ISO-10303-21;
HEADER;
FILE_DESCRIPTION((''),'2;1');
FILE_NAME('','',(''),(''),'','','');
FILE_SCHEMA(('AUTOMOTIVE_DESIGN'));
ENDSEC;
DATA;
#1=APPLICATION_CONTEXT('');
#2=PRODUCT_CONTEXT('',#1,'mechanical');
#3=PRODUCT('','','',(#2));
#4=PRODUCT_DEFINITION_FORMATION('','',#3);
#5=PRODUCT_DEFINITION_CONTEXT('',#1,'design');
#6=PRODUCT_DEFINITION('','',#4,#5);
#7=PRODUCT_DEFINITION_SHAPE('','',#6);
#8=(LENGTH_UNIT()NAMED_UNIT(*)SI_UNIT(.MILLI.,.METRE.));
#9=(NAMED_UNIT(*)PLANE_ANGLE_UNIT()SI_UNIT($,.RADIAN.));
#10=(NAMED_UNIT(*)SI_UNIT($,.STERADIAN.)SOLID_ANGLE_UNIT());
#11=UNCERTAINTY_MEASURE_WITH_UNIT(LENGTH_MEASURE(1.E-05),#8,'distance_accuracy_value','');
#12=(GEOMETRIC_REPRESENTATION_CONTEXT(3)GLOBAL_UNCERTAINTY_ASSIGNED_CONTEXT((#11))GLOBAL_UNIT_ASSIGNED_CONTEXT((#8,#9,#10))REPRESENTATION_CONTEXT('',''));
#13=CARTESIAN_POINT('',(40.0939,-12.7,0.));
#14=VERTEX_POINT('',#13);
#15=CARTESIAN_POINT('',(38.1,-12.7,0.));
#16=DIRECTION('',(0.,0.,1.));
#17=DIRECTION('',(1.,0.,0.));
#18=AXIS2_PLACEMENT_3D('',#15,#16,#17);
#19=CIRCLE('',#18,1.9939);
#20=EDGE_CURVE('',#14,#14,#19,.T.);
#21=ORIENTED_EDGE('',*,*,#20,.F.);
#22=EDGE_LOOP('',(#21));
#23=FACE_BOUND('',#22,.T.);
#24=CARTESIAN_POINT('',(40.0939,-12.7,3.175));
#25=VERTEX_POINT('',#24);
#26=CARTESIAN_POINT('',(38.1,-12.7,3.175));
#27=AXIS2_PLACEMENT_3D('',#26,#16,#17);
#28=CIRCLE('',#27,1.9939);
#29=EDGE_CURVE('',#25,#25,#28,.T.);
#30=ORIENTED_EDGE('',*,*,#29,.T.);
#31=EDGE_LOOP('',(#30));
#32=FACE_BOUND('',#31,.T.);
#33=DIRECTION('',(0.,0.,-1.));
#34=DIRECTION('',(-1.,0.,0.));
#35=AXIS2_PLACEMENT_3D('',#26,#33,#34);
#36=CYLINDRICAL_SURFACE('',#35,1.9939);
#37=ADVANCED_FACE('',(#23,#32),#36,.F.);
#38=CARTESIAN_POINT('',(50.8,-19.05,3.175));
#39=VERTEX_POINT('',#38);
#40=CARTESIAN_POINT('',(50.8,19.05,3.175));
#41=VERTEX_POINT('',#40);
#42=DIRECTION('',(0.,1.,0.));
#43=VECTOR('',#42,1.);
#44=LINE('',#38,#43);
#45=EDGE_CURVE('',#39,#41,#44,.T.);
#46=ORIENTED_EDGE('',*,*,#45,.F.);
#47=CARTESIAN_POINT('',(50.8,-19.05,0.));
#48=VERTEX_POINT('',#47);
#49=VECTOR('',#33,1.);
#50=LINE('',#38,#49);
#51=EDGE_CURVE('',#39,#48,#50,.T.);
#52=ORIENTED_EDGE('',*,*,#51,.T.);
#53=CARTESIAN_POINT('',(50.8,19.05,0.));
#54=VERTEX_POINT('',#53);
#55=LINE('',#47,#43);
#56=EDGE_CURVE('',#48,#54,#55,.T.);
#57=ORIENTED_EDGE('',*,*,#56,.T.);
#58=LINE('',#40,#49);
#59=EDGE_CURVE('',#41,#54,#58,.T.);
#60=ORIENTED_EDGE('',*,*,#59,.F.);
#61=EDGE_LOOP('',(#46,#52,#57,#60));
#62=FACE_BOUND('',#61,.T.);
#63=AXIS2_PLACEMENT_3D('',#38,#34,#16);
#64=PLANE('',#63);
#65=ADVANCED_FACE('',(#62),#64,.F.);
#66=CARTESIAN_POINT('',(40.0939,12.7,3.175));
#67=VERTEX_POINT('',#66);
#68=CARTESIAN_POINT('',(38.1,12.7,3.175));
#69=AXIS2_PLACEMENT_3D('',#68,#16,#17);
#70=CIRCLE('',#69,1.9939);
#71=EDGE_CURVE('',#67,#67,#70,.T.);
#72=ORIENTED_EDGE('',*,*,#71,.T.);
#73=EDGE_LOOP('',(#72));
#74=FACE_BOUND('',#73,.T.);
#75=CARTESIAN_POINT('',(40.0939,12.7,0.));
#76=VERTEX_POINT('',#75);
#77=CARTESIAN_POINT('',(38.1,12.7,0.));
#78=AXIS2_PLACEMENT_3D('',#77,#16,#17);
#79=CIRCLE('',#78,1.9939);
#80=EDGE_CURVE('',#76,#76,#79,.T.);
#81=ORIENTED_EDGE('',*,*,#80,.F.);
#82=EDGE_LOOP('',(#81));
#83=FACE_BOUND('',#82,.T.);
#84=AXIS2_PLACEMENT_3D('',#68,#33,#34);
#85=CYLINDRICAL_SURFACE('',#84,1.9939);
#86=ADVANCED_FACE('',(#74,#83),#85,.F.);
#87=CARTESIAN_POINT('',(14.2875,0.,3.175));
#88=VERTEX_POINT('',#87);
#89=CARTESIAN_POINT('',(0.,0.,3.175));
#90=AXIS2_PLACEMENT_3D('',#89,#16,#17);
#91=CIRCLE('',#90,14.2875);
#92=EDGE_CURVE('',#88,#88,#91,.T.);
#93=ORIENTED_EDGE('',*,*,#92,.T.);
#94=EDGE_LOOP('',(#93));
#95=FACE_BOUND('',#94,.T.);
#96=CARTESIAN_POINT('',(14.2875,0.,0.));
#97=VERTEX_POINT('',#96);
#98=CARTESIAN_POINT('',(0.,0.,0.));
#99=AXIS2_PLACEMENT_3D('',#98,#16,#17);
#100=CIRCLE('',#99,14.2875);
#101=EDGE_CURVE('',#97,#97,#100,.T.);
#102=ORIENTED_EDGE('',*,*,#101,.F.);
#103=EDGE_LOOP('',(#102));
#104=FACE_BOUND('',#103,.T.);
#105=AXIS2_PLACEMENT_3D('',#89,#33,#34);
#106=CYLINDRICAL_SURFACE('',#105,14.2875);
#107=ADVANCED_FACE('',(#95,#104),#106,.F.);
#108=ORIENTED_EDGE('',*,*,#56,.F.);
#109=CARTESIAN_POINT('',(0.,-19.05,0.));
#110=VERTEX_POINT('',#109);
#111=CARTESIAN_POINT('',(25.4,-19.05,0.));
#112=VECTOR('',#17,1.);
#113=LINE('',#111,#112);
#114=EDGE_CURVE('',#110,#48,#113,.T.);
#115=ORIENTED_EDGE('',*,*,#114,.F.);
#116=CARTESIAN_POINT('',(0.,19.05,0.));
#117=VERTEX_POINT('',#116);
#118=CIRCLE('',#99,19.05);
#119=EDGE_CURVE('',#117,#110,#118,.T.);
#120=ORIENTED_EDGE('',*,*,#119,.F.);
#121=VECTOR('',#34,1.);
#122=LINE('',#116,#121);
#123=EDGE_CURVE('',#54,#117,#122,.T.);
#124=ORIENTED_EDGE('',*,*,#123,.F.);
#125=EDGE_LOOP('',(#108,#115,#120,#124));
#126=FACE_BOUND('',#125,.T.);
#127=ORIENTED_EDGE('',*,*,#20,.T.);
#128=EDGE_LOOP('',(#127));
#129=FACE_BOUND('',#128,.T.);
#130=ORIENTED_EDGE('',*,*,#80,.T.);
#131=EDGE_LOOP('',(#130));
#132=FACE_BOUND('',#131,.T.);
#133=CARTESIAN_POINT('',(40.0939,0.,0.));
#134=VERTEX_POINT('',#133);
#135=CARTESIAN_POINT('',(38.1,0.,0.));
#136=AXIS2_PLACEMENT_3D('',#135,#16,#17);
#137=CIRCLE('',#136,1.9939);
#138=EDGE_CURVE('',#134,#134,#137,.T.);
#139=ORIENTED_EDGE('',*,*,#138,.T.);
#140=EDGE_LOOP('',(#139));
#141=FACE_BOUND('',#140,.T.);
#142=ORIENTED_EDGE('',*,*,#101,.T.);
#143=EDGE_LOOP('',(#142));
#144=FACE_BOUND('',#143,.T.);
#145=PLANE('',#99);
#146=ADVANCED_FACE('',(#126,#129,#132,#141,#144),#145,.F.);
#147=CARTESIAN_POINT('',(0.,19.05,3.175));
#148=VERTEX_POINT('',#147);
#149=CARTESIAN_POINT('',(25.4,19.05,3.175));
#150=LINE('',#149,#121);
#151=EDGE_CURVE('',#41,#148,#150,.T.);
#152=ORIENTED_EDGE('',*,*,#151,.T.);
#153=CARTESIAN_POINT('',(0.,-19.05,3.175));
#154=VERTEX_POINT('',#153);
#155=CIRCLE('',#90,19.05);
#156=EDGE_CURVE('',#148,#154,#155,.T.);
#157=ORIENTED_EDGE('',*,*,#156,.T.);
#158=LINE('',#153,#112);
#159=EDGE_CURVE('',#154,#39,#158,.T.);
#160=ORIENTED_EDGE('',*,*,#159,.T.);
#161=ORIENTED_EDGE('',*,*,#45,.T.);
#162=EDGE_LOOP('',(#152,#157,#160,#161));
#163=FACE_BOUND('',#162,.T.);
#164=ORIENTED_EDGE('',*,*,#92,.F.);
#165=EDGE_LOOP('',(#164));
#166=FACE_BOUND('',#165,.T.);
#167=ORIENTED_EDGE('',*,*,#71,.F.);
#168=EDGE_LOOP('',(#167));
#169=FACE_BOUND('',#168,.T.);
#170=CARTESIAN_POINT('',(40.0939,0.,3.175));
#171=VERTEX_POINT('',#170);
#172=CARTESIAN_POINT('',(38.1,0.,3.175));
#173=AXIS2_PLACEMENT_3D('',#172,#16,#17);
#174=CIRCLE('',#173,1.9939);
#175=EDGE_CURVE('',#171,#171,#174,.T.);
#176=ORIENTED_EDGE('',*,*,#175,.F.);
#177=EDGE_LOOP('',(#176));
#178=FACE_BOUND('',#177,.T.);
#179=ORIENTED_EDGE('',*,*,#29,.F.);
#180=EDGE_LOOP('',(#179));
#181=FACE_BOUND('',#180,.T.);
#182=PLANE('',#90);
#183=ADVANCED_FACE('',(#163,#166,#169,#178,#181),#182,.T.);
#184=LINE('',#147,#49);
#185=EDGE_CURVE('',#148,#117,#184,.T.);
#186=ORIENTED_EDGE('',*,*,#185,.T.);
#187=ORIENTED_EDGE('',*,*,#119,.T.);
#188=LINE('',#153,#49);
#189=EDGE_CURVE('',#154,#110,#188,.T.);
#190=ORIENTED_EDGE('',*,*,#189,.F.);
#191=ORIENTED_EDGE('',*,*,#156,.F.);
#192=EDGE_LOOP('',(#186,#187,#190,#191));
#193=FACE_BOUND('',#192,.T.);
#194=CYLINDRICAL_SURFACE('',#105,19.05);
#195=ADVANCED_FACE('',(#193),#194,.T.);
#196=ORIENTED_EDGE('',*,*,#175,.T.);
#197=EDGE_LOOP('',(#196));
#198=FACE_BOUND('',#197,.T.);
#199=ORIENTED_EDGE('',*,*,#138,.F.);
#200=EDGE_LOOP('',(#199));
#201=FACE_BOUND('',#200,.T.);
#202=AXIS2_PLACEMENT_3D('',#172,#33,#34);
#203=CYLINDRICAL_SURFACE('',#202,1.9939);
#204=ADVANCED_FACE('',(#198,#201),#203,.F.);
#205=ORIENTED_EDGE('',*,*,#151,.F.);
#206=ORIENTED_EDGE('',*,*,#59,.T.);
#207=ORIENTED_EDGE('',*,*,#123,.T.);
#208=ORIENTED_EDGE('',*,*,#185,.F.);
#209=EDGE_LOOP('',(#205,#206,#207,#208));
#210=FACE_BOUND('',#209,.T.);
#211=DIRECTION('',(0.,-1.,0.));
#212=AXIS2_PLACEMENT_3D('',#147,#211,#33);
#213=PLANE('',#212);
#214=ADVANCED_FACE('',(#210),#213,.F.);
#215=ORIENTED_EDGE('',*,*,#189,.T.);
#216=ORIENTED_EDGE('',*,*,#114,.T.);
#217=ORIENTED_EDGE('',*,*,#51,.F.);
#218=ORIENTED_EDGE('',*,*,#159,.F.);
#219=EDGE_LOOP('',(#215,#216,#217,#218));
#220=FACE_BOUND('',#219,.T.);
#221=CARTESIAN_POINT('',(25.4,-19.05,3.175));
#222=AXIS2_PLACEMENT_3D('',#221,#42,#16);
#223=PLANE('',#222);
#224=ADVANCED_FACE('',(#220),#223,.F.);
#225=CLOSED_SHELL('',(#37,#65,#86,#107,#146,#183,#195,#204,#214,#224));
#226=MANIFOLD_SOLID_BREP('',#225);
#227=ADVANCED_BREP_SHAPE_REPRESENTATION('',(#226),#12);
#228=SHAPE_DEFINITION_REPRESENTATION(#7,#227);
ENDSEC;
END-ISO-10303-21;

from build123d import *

# Parameters (mm, degrees)
SKETCH1_R           = 14.2875
SKETCH1_R_2         = 1.9939
BOSS_EXTRUDE1_DEPTH = 3.175


with BuildPart() as part:
    # Sketch1 → Boss-Extrude1 (new body)
    with BuildSketch(Plane.XY):
        with BuildLine():
            Line((0, 19.05), (25.4, 19.05))
            Line((25.4, 19.05), (50.8, 19.05))
            Line((50.8, 19.05), (50.8, -19.05))
            Line((50.8, -19.05), (25.4, -19.05))
            Line((25.4, -19.05), (0, -19.05))
            ThreePointArc((0, -19.05), (-19.05, 0), (0, 19.05))
        make_face()
        Circle(SKETCH1_R, mode=Mode.SUBTRACT)
        with Locations((38.1, -12.7)):
            Circle(SKETCH1_R_2, mode=Mode.SUBTRACT)
        with Locations((38.1, 0)):
            Circle(SKETCH1_R_2, mode=Mode.SUBTRACT)
        with Locations((38.1, 12.7)):
            Circle(SKETCH1_R_2, mode=Mode.SUBTRACT)
    extrude(amount=BOSS_EXTRUDE1_DEPTH)


solid = part.part
